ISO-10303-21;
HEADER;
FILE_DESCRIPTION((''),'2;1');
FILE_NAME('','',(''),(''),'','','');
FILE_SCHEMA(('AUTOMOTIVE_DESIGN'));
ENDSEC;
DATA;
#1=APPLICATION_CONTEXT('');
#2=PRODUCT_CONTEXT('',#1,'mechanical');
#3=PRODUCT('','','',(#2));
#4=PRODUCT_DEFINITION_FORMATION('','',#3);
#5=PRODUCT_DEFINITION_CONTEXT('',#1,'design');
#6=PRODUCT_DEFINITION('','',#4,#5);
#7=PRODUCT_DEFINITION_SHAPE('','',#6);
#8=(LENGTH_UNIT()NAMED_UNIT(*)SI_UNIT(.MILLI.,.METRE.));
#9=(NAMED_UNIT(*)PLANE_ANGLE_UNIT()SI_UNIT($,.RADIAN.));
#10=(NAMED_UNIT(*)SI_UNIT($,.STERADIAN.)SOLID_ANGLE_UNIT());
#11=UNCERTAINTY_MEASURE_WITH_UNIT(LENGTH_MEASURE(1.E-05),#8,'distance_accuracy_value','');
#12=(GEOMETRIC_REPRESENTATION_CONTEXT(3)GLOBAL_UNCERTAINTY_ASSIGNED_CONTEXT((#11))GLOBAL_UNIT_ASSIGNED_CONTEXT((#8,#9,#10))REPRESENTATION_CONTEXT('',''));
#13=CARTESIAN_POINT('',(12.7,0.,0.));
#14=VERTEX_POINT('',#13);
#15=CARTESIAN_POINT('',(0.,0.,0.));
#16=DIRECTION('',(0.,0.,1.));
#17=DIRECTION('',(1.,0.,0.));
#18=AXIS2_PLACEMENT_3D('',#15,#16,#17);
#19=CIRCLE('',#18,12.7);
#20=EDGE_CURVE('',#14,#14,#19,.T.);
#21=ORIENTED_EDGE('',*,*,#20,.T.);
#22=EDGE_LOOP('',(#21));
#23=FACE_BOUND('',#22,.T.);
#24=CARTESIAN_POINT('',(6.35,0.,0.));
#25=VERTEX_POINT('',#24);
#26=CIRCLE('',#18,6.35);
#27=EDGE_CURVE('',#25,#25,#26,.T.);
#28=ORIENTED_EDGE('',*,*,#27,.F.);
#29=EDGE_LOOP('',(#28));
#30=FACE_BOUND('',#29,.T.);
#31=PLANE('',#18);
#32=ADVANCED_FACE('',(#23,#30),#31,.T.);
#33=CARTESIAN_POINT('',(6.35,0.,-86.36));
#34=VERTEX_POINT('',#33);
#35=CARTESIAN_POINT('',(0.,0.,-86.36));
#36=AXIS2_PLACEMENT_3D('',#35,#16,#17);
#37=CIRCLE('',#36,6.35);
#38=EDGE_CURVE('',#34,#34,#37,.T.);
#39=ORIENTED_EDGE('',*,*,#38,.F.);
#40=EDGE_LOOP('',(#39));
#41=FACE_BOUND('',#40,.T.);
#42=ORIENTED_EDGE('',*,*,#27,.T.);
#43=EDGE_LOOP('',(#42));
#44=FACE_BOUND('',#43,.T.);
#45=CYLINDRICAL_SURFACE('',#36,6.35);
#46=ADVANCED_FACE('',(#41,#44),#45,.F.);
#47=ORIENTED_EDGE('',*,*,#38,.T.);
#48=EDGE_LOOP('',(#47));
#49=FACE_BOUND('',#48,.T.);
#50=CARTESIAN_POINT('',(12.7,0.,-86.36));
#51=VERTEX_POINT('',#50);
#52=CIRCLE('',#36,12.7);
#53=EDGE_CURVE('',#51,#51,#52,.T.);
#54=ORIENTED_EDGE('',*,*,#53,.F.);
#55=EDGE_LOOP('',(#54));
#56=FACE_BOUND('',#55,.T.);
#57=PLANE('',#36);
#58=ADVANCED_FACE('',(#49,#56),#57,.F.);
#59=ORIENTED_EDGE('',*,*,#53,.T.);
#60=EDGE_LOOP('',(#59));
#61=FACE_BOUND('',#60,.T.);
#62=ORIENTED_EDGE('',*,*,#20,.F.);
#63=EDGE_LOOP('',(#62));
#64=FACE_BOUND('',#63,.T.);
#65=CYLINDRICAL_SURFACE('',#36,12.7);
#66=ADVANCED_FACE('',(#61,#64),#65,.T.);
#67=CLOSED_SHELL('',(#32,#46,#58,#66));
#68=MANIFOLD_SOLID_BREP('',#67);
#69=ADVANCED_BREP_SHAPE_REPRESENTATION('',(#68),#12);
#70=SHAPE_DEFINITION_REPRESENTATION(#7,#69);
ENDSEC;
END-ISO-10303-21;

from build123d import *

# Parameters (mm, degrees)
SKETCH1_R           = 12.7
SKETCH1_R_2         = 6.35
BOSS_EXTRUDE1_DEPTH = 86.36


with BuildPart() as part:
    # Sketch1 → Boss-Extrude1 (new body)
    with BuildSketch(Plane.XY):
        Circle(SKETCH1_R)
        Circle(SKETCH1_R_2, mode=Mode.SUBTRACT)
    extrude(amount=-BOSS_EXTRUDE1_DEPTH)


solid = part.part
